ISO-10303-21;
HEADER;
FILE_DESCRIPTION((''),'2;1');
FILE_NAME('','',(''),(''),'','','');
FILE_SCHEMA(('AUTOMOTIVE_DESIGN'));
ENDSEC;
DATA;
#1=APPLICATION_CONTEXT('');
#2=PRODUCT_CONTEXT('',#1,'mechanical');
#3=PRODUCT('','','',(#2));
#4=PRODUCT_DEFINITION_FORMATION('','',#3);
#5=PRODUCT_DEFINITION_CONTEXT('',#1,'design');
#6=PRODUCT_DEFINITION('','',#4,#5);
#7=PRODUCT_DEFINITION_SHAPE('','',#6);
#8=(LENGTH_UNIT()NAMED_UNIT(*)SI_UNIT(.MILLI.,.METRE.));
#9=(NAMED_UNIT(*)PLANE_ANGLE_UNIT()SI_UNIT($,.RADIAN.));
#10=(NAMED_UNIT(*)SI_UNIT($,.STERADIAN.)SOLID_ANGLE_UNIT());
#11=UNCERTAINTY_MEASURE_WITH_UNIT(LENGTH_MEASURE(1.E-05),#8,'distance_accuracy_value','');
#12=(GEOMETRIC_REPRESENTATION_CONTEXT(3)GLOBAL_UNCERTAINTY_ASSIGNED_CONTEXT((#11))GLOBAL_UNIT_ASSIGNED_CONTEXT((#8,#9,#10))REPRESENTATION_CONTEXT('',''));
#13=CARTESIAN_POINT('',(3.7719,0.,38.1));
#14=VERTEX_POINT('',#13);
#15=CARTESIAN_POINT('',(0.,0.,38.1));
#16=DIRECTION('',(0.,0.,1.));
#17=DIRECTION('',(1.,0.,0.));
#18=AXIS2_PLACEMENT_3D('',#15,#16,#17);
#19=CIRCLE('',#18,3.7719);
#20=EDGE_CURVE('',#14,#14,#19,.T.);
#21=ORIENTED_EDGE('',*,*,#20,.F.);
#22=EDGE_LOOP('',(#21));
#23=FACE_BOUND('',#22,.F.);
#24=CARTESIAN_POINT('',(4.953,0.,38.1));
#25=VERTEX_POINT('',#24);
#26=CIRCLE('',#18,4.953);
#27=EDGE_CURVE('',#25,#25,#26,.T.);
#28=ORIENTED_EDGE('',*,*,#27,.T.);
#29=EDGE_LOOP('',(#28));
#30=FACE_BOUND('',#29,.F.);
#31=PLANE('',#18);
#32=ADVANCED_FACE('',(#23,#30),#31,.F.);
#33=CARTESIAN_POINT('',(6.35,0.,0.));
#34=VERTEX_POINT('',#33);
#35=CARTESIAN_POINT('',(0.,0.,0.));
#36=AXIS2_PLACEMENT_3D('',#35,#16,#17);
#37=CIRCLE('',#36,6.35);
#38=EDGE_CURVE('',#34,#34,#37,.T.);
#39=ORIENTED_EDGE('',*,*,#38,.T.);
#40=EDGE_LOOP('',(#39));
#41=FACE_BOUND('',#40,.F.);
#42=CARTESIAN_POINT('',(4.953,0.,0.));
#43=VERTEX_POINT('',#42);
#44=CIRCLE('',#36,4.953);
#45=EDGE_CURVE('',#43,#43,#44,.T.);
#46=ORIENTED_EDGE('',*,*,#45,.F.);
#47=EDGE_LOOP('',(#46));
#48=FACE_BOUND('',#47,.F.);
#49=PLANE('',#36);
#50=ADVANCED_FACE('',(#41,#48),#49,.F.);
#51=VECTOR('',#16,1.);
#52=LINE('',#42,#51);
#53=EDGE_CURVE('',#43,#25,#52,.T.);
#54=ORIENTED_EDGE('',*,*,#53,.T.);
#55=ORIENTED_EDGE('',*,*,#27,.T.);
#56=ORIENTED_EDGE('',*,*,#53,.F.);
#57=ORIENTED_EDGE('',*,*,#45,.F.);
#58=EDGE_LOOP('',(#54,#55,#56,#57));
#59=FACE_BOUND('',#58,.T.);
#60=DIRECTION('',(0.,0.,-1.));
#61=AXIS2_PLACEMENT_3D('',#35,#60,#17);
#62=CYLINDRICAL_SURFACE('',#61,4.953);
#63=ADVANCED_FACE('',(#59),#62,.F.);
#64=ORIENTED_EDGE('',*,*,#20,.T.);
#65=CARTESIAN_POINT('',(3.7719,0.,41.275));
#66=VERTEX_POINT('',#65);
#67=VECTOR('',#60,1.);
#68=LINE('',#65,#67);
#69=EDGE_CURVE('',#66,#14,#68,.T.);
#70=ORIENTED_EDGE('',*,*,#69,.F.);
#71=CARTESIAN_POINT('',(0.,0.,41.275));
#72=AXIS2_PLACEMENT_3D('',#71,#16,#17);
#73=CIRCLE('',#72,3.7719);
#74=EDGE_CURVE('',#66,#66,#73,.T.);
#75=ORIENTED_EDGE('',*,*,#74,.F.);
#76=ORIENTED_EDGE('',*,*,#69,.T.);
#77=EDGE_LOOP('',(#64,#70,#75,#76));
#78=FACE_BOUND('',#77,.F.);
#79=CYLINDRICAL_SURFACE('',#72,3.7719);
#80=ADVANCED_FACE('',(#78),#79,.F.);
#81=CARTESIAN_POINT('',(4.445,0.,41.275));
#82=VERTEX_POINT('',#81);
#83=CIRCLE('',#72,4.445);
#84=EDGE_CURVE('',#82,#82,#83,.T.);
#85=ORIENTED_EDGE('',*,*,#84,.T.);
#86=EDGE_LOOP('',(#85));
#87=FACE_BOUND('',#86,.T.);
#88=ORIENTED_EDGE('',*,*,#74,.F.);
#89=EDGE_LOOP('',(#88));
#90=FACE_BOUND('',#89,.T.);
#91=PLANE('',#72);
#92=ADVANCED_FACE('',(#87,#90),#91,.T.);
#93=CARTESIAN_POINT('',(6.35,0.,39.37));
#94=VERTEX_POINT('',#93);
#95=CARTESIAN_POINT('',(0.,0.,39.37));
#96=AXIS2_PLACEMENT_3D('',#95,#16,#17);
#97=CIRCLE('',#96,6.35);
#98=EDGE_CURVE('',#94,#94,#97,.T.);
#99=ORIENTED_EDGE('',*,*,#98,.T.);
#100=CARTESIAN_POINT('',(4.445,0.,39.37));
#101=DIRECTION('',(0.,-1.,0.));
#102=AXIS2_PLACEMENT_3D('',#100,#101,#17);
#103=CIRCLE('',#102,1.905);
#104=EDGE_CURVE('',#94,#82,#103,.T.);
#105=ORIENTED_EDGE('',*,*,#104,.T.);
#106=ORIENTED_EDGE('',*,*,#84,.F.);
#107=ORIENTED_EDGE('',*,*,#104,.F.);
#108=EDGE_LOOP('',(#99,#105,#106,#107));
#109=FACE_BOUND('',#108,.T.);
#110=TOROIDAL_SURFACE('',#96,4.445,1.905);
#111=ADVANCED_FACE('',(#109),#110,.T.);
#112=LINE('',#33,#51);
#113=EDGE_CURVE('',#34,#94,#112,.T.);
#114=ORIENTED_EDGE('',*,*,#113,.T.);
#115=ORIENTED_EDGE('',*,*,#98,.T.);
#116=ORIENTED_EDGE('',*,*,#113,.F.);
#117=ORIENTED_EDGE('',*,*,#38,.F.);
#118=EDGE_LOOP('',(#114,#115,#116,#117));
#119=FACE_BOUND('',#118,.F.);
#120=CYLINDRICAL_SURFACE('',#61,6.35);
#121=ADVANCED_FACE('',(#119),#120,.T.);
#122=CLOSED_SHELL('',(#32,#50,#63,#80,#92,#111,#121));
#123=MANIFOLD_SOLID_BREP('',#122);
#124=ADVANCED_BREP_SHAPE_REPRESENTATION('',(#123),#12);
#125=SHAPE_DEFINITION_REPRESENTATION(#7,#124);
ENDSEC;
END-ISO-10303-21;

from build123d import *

# Parameters (mm, degrees)
F0_R     = 6.35
F1_DEPTH = 41.275
F2_R     = 4.953
F3_DEPTH = 38.1
F5_R     = 3.7719
F6_DEPTH = 3.175
F7_R     = 1.905


with BuildPart() as f1:
    # F0 (on Top) → F1 (new body)
    with BuildSketch(Plane.XY):
        Circle(F0_R)
    extrude(amount=F1_DEPTH)

    # F2 (on Top) → F3 (cut)
    with BuildSketch(Plane.XY):
        Circle(F2_R)
    extrude(amount=F3_DEPTH, mode=Mode.SUBTRACT)

    # F5 (on offset) → F6 (cut, through all)
    with BuildSketch(Plane.XY.offset(41.275)):
        Circle(F5_R)
    extrude(amount=-F6_DEPTH, mode=Mode.SUBTRACT)

    # F7
    f7_edges = [f1.edges().sort_by_distance(p)[0] for p in [
        (-6.35, 0, 41.275),
    ]]
    fillet(f7_edges, radius=F7_R)


solid = f1.part
